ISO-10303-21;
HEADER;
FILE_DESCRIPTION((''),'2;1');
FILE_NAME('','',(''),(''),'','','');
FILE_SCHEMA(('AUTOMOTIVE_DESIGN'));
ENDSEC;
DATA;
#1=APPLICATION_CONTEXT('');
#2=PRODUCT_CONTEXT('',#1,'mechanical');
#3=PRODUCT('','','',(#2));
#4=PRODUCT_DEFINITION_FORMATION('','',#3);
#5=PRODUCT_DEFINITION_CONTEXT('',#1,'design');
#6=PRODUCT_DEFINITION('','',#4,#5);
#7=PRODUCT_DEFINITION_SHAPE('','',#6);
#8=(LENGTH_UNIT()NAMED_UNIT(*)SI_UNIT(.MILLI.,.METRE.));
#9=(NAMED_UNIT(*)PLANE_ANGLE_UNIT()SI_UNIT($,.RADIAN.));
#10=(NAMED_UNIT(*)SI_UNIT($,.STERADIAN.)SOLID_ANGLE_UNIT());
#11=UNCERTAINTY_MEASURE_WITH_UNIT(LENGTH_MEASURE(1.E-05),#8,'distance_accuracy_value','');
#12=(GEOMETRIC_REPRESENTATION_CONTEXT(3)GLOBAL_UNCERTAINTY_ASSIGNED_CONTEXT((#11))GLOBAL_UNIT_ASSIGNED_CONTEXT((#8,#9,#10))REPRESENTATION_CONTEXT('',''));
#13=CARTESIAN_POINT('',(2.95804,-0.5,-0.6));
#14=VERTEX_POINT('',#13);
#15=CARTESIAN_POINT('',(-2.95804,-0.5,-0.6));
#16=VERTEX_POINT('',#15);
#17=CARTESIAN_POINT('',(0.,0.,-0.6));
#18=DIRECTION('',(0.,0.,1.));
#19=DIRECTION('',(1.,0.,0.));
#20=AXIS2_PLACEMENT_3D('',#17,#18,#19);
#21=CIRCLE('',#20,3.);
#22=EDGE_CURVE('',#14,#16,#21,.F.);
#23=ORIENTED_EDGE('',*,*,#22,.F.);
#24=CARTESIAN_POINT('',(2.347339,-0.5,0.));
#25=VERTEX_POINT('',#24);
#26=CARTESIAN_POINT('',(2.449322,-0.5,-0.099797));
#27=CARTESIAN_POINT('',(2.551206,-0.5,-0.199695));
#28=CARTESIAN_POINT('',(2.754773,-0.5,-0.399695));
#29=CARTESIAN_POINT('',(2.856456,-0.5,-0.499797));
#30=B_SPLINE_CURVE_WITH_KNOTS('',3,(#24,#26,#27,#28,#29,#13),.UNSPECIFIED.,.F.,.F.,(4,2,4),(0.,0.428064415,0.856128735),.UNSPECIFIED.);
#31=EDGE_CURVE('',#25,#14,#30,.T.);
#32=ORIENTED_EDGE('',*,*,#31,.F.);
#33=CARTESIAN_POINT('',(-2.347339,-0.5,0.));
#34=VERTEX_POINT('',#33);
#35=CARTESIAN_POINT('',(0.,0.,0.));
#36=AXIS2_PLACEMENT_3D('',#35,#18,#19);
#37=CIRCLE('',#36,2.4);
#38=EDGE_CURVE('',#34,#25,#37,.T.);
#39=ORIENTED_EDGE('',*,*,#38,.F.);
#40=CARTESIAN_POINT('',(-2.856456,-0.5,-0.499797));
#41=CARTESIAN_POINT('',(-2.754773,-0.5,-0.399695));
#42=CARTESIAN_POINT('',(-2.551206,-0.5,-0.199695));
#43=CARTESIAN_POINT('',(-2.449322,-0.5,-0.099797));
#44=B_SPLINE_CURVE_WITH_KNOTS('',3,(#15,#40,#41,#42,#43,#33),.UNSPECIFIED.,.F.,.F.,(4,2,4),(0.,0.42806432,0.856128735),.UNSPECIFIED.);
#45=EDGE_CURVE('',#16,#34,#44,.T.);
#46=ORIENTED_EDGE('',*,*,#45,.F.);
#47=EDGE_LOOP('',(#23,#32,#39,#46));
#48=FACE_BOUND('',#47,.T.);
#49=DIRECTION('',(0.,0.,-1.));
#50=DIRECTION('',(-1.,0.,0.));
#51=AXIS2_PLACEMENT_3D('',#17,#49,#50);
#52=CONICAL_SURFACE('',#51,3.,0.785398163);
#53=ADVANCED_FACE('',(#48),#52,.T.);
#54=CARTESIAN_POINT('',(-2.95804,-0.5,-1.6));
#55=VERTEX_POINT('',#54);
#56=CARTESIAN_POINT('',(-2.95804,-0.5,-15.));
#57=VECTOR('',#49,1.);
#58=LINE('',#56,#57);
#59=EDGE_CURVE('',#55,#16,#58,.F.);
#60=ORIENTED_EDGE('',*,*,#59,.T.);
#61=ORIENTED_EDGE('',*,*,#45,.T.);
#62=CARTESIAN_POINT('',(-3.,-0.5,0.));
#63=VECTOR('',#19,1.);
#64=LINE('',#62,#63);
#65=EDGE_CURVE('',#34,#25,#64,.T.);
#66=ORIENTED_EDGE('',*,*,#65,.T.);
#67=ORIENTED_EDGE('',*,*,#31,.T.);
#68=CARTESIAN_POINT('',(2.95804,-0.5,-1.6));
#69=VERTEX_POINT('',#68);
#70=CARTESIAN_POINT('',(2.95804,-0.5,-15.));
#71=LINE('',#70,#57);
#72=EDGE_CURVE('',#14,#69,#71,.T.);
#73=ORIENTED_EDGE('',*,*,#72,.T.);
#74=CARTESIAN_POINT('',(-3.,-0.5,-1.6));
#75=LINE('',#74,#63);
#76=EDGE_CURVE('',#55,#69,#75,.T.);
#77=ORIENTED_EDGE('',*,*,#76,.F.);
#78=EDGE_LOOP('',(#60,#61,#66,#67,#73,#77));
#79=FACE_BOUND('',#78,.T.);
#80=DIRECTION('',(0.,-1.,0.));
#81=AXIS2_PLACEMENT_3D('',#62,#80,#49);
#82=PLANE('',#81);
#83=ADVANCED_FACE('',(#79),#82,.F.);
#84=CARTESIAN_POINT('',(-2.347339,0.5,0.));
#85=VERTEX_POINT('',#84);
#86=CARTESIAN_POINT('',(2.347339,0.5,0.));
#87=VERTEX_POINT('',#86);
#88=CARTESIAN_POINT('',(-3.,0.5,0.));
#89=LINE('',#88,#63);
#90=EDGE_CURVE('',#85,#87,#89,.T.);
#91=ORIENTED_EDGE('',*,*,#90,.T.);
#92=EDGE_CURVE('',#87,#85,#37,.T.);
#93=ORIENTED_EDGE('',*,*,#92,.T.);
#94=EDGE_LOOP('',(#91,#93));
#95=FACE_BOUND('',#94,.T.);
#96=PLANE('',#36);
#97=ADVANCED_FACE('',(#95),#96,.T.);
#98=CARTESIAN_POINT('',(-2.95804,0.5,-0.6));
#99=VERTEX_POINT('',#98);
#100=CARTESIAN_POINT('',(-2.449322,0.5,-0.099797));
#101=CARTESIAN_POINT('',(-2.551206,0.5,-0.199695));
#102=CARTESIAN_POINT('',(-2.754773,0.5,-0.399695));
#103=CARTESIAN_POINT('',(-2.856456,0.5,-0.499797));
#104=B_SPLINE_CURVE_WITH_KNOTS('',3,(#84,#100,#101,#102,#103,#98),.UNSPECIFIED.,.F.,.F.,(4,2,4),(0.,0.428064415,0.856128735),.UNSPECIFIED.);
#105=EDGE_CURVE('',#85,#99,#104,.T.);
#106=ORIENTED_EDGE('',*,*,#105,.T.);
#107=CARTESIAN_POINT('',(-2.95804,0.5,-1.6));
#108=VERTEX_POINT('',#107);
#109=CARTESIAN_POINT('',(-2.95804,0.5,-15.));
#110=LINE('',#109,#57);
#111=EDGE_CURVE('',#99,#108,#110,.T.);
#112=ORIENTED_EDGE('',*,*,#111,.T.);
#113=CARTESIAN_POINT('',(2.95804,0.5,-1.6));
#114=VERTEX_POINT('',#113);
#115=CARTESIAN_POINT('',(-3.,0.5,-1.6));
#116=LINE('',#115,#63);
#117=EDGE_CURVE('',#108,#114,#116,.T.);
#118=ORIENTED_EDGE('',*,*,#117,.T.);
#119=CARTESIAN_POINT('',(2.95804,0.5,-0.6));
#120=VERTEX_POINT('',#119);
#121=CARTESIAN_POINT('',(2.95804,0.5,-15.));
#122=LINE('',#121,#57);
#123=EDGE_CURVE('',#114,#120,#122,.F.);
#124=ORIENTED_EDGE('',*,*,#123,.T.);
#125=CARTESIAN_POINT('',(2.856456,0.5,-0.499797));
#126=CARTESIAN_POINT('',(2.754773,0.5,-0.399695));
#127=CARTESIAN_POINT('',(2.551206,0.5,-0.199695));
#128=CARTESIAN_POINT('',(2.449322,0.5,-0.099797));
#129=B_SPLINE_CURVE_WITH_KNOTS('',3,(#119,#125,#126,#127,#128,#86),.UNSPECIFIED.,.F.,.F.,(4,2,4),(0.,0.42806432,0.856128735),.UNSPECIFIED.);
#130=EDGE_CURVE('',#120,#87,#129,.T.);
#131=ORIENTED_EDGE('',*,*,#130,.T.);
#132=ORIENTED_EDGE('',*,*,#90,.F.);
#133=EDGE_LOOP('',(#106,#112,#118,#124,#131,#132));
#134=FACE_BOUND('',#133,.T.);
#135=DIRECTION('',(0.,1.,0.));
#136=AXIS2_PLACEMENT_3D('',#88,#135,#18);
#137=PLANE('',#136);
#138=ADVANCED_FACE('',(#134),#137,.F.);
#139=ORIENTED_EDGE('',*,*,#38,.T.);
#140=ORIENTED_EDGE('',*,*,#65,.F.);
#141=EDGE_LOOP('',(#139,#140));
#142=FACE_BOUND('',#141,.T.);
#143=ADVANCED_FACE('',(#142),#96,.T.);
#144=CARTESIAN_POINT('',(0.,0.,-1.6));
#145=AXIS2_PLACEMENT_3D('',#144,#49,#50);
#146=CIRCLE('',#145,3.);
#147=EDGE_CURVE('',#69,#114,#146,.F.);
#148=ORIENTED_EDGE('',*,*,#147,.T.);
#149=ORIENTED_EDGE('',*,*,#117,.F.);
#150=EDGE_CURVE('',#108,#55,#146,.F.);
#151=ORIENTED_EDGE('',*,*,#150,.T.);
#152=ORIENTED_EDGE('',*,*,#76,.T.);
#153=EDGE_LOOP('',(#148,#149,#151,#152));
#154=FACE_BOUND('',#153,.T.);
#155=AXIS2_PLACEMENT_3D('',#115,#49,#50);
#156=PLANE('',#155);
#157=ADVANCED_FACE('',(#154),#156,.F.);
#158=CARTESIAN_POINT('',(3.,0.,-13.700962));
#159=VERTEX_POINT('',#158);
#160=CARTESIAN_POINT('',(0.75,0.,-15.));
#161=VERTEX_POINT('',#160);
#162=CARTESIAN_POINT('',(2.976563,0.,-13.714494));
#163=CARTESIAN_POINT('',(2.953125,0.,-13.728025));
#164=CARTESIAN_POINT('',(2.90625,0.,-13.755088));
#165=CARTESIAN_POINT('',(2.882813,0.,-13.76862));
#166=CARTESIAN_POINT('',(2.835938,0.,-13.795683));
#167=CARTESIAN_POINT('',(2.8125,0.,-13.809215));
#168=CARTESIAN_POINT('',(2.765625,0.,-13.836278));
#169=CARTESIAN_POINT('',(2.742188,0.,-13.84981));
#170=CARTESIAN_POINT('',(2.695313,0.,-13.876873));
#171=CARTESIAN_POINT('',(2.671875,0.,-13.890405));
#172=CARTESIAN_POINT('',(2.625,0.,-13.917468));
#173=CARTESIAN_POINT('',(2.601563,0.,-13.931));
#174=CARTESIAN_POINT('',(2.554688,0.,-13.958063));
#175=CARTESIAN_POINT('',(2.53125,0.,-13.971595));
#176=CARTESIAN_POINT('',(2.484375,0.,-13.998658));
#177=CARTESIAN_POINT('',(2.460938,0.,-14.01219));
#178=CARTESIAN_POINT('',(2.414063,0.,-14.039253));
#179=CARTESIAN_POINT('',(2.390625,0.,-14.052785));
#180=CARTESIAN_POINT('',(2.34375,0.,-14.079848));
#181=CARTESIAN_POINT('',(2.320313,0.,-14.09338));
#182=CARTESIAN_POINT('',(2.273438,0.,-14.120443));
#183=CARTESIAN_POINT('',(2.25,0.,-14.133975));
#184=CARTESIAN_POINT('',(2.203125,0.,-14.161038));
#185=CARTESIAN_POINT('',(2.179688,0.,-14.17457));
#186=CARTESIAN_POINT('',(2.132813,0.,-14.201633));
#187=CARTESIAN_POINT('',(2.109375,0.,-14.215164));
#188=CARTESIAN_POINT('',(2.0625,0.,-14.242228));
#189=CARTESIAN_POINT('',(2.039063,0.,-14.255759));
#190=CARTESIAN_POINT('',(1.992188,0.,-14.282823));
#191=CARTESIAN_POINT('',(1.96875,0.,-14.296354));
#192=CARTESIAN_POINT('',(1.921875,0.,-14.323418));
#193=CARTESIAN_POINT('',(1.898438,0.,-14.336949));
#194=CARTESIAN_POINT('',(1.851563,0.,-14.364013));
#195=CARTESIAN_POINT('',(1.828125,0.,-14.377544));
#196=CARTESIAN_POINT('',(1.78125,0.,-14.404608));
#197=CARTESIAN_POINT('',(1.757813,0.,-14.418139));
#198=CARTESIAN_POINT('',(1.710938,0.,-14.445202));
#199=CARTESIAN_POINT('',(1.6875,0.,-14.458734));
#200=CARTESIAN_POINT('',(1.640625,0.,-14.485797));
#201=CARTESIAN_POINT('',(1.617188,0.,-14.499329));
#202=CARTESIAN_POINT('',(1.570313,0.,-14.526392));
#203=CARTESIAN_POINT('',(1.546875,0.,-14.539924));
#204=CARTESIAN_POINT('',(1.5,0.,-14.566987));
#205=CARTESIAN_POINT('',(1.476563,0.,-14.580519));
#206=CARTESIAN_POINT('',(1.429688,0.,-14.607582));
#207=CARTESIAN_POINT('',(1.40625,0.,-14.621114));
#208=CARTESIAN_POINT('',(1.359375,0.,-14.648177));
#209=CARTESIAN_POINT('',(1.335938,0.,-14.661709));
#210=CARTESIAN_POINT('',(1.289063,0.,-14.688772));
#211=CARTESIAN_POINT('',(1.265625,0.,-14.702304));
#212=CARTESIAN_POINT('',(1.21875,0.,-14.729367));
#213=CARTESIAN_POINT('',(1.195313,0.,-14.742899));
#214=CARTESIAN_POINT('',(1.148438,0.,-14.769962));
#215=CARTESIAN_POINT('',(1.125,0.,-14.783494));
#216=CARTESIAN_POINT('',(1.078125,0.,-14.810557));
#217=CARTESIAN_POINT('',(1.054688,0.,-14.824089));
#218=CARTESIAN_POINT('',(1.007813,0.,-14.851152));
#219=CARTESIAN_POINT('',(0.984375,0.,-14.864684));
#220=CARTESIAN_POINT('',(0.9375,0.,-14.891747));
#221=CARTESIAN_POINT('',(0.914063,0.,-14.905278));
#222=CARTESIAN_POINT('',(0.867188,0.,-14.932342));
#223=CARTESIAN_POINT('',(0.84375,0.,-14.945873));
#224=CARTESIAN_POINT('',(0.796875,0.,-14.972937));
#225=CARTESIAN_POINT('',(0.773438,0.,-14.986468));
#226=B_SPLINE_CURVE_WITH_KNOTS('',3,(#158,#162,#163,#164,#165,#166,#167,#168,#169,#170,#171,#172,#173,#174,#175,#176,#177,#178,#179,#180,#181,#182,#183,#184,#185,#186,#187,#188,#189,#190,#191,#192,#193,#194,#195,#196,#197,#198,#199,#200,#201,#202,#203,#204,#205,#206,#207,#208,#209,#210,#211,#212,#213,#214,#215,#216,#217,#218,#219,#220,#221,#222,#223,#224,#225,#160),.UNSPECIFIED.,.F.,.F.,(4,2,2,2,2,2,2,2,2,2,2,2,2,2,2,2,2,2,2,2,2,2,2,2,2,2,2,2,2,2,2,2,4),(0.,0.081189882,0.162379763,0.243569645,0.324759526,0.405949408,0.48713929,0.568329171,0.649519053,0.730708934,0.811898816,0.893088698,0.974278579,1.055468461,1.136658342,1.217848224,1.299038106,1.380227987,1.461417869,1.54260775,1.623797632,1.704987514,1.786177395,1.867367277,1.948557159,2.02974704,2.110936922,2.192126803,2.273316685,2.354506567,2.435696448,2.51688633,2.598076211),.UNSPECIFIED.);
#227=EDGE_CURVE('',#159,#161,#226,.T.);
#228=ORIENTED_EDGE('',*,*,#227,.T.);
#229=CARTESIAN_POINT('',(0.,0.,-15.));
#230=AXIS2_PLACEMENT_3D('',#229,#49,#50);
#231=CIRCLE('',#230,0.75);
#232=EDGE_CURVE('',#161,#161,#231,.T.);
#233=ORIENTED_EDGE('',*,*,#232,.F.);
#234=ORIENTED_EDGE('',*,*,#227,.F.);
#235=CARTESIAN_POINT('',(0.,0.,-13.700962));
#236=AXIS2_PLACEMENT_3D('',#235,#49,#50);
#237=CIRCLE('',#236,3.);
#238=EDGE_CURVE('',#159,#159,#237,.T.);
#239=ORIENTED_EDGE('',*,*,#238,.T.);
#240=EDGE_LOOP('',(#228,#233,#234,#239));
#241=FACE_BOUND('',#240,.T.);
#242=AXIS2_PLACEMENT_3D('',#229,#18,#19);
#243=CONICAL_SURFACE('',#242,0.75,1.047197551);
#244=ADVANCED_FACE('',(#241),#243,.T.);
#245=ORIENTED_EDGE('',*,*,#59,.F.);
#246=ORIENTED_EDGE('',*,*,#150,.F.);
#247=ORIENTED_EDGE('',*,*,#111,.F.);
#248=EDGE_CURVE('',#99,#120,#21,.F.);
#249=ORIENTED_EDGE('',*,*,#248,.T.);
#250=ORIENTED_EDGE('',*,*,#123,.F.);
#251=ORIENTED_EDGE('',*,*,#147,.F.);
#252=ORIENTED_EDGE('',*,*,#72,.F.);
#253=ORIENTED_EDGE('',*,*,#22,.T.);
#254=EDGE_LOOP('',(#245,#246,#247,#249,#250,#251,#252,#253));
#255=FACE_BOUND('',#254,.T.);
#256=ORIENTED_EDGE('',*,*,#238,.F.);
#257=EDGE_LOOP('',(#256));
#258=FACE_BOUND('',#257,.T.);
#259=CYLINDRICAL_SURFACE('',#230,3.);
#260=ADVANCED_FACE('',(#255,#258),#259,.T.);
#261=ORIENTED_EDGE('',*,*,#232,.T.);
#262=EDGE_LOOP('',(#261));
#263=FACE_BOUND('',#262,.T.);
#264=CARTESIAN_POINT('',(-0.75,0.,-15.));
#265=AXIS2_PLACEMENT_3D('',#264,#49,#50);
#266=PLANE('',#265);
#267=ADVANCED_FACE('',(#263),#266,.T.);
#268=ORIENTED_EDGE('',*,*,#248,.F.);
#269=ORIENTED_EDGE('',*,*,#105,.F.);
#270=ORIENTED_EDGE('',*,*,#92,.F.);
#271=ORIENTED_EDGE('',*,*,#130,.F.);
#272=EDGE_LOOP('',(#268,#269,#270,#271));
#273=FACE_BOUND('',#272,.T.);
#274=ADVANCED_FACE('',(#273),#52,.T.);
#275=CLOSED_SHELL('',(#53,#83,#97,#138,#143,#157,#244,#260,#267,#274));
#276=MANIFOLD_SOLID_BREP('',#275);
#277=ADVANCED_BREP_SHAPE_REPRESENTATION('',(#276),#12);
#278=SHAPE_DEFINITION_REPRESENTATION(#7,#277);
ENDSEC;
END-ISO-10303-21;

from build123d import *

# Parameters (mm, degrees)
CUT_EXTRUDE_1_DEPTH      = 16.588457268
CUT_EXTRUDE_1_DEPTH_BACK = 16.588457268
SKETCH_2_W               = 1.6
SKETCH_2_H               = 1
CHAMFER_1_SIZE           = 0.6


with BuildPart() as part:
    # Эскиз1 → Повернуть1 (revolve)
    with BuildSketch(Plane(origin=(0, 0, 0), x_dir=(1, 0, 0), z_dir=(0, 1, 0))):
        Polygon((0, 0), (-3, 0), (-3, 13.700961894), (-0.75, 15), (0, 15), align=None)
    revolve(axis=Axis((0, 0, -15), (0, 0, 1)))

    # Эскиз2 → Вырез-Вытянуть1 (cut, two sides: drawn at the far end of the back side and taken through both)
    with BuildSketch(Plane(origin=(0, 0, 0), x_dir=(0, 0, -1), z_dir=(1, 0, 0)).offset(-CUT_EXTRUDE_1_DEPTH_BACK)):
        with Locations((0.8, 0)):
            Rectangle(SKETCH_2_W, SKETCH_2_H)
    extrude(amount=CUT_EXTRUDE_1_DEPTH + CUT_EXTRUDE_1_DEPTH_BACK, mode=Mode.SUBTRACT)

    # Фаска1
    chamfer_1_edges = [part.edges().sort_by_distance(p)[0] for p in [
        (0, 3, 0),
        (0, -3, 0),
    ]]
    chamfer(chamfer_1_edges, length=CHAMFER_1_SIZE)


solid = part.part
